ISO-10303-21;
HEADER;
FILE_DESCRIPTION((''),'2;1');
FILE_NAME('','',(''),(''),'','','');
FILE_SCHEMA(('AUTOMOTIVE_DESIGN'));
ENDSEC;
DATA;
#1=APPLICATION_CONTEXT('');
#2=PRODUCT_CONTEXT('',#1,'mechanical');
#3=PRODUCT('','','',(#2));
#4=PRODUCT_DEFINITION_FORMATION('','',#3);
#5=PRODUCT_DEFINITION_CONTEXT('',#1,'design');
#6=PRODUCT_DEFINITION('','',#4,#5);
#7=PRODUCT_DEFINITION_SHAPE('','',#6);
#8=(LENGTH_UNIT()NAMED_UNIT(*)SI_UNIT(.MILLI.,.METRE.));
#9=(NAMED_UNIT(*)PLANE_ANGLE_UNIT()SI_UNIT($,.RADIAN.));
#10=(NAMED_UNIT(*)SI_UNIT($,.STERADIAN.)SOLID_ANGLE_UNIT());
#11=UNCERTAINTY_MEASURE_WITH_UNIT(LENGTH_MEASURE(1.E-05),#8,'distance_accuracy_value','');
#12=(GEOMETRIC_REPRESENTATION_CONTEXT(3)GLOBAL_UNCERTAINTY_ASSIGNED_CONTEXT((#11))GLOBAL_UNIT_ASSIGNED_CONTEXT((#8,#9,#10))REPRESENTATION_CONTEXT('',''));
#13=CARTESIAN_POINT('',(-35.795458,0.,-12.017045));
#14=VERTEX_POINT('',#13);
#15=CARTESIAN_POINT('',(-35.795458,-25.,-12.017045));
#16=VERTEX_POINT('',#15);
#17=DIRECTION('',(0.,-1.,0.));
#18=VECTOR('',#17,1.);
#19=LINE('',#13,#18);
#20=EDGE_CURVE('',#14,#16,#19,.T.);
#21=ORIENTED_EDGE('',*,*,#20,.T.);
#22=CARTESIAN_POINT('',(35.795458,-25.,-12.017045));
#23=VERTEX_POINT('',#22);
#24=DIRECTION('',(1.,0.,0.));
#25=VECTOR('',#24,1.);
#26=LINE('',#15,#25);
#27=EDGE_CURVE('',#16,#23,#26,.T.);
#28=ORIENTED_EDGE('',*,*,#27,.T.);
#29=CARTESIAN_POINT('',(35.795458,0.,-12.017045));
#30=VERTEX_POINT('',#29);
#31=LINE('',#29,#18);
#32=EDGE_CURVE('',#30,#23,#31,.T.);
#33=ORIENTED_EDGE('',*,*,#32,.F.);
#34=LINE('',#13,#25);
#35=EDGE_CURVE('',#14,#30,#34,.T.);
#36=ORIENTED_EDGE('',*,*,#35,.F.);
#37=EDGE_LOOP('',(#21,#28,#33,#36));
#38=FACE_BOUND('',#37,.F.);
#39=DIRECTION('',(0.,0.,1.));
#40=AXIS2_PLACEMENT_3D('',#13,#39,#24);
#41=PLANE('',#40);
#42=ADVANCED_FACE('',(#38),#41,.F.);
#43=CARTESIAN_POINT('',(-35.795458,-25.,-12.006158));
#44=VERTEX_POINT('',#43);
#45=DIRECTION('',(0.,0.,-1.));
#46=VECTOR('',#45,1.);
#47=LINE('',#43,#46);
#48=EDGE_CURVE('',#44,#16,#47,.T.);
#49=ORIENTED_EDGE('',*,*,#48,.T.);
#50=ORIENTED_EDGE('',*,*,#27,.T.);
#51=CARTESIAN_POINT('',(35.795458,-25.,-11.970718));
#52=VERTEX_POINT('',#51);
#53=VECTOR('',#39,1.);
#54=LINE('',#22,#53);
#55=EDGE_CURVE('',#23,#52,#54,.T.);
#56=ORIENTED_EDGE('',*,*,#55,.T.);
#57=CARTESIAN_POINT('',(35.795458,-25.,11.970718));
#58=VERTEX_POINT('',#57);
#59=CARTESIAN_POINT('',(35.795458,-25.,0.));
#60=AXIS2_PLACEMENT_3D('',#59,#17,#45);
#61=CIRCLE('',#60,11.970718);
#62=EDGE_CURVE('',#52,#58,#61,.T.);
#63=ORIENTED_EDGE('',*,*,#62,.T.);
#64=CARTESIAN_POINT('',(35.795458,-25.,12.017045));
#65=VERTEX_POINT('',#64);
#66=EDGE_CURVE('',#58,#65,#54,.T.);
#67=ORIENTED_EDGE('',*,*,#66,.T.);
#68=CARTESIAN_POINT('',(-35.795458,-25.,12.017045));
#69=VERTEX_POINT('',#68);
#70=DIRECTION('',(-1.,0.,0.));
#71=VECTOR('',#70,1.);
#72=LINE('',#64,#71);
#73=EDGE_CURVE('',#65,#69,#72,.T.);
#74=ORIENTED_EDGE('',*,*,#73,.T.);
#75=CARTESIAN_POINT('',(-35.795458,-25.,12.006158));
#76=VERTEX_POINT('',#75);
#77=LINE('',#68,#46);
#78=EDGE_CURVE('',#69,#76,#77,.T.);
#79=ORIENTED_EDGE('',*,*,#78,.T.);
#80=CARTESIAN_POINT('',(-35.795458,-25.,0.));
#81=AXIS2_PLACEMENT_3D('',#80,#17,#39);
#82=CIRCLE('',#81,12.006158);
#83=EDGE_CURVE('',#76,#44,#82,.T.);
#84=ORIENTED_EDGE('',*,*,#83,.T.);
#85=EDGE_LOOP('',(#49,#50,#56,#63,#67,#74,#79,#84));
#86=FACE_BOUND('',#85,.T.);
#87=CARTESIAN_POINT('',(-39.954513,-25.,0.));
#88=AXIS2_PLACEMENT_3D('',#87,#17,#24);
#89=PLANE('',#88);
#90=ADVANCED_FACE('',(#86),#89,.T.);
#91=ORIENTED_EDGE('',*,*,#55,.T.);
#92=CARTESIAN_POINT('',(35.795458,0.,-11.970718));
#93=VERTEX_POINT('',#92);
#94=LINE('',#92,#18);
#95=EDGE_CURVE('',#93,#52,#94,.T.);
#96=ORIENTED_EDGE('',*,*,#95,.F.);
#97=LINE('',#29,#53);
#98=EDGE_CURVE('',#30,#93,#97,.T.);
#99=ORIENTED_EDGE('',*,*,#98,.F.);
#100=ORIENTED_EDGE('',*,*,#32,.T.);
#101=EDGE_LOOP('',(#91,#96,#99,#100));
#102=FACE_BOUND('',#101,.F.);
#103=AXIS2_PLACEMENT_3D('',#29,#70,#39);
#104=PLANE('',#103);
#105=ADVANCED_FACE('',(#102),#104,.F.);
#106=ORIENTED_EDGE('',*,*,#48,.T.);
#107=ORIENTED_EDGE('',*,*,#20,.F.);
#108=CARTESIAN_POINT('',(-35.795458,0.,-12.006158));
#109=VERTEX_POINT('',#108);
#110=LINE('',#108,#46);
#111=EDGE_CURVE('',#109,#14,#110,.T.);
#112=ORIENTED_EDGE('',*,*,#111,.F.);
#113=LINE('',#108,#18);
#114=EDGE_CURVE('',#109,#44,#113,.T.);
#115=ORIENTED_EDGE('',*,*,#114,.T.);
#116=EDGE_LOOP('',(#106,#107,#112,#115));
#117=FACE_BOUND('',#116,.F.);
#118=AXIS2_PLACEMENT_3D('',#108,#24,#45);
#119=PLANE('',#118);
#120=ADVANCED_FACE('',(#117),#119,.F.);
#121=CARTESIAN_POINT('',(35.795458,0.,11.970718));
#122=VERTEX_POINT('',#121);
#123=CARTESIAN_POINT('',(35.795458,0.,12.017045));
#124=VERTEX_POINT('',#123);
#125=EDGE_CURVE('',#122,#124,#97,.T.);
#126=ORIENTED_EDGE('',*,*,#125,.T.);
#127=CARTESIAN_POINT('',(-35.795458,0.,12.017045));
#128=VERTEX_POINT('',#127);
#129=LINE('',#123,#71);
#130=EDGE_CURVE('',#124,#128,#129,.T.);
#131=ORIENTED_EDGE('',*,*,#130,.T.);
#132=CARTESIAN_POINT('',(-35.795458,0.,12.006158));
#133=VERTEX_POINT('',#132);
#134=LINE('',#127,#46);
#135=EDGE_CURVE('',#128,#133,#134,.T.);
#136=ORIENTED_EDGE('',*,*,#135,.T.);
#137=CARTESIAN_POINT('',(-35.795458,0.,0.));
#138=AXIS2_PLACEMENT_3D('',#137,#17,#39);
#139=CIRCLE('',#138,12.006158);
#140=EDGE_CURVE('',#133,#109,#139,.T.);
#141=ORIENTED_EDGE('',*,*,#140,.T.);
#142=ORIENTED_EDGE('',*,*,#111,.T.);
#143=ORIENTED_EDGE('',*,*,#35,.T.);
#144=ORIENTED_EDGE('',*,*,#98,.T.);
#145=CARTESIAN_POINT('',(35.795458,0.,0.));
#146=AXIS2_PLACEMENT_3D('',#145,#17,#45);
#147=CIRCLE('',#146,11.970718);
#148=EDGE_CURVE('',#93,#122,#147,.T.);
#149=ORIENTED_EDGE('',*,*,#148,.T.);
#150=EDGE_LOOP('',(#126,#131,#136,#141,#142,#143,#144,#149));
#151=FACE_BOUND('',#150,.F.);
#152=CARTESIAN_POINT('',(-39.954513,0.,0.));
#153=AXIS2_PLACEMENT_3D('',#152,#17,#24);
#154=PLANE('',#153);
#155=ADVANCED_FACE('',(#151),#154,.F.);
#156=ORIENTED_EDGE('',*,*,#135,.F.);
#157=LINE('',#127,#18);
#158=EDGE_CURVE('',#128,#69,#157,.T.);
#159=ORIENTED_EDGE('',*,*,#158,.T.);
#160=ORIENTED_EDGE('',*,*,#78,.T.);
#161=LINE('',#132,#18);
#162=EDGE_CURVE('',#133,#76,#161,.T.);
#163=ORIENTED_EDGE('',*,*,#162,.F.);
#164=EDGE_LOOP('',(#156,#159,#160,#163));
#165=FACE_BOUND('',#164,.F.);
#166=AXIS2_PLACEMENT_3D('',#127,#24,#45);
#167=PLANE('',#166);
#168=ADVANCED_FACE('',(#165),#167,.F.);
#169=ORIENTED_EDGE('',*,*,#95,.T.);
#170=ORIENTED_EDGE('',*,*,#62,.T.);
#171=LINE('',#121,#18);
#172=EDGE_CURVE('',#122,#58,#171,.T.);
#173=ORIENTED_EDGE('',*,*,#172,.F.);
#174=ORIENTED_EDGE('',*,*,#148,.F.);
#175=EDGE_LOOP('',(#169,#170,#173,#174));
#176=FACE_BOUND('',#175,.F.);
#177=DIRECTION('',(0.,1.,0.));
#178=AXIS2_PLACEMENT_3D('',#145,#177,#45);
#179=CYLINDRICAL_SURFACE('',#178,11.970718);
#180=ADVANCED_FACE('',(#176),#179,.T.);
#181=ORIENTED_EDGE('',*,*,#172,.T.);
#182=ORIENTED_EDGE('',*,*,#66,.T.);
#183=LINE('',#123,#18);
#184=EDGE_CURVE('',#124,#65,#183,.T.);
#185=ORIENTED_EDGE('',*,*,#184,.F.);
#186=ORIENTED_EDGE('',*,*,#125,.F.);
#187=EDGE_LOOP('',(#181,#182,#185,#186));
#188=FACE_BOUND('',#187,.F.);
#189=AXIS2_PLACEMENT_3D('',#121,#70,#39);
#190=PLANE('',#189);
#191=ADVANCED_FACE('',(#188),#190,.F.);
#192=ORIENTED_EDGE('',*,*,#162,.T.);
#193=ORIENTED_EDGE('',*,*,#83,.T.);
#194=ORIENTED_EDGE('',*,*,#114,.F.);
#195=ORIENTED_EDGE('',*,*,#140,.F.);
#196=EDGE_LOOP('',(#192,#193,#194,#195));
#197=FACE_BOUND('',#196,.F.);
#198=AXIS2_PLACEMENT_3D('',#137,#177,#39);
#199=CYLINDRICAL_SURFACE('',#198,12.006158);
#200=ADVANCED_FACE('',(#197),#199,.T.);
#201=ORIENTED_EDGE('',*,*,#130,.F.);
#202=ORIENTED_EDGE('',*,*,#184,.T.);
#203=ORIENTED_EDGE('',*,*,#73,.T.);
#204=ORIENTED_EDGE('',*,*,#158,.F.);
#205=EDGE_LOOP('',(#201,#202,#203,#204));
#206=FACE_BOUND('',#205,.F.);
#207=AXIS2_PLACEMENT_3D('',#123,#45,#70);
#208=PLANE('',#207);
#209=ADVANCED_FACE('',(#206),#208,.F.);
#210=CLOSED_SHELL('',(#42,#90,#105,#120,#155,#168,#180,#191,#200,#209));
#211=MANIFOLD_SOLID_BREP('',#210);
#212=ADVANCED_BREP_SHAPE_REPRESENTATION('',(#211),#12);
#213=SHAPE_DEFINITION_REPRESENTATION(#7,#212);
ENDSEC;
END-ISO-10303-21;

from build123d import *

# Parameters (mm, degrees)
F1_DEPTH = 25


with BuildPart() as f1:
    # F0 (on Front) → F1 (new body)
    with BuildSketch(Plane.XZ):
        with BuildLine():
            Line((-35.795458, -12.006158), (-35.795458, 12.006158))
            ThreePointArc((-35.795458, 12.006158), (-47.801616, 0), (-35.795458, -12.006158))
        make_face()
        Polygon((35.795458, 12.017045), (-35.795458, 12.017045), (-35.795458, 12.006158), (-35.795458, -12.006158), (-35.795458, -12.017045), (35.795458, -12.017045), (35.795458, -11.970718), (35.795458, 11.970718), align=None)
        with BuildLine():
            ThreePointArc((35.795458, -11.970718), (47.766176, 0), (35.795458, 11.970718))
            Line((35.795458, 11.970718), (35.795458, -11.970718))
        make_face()
    extrude(amount=F1_DEPTH)


solid = f1.part
